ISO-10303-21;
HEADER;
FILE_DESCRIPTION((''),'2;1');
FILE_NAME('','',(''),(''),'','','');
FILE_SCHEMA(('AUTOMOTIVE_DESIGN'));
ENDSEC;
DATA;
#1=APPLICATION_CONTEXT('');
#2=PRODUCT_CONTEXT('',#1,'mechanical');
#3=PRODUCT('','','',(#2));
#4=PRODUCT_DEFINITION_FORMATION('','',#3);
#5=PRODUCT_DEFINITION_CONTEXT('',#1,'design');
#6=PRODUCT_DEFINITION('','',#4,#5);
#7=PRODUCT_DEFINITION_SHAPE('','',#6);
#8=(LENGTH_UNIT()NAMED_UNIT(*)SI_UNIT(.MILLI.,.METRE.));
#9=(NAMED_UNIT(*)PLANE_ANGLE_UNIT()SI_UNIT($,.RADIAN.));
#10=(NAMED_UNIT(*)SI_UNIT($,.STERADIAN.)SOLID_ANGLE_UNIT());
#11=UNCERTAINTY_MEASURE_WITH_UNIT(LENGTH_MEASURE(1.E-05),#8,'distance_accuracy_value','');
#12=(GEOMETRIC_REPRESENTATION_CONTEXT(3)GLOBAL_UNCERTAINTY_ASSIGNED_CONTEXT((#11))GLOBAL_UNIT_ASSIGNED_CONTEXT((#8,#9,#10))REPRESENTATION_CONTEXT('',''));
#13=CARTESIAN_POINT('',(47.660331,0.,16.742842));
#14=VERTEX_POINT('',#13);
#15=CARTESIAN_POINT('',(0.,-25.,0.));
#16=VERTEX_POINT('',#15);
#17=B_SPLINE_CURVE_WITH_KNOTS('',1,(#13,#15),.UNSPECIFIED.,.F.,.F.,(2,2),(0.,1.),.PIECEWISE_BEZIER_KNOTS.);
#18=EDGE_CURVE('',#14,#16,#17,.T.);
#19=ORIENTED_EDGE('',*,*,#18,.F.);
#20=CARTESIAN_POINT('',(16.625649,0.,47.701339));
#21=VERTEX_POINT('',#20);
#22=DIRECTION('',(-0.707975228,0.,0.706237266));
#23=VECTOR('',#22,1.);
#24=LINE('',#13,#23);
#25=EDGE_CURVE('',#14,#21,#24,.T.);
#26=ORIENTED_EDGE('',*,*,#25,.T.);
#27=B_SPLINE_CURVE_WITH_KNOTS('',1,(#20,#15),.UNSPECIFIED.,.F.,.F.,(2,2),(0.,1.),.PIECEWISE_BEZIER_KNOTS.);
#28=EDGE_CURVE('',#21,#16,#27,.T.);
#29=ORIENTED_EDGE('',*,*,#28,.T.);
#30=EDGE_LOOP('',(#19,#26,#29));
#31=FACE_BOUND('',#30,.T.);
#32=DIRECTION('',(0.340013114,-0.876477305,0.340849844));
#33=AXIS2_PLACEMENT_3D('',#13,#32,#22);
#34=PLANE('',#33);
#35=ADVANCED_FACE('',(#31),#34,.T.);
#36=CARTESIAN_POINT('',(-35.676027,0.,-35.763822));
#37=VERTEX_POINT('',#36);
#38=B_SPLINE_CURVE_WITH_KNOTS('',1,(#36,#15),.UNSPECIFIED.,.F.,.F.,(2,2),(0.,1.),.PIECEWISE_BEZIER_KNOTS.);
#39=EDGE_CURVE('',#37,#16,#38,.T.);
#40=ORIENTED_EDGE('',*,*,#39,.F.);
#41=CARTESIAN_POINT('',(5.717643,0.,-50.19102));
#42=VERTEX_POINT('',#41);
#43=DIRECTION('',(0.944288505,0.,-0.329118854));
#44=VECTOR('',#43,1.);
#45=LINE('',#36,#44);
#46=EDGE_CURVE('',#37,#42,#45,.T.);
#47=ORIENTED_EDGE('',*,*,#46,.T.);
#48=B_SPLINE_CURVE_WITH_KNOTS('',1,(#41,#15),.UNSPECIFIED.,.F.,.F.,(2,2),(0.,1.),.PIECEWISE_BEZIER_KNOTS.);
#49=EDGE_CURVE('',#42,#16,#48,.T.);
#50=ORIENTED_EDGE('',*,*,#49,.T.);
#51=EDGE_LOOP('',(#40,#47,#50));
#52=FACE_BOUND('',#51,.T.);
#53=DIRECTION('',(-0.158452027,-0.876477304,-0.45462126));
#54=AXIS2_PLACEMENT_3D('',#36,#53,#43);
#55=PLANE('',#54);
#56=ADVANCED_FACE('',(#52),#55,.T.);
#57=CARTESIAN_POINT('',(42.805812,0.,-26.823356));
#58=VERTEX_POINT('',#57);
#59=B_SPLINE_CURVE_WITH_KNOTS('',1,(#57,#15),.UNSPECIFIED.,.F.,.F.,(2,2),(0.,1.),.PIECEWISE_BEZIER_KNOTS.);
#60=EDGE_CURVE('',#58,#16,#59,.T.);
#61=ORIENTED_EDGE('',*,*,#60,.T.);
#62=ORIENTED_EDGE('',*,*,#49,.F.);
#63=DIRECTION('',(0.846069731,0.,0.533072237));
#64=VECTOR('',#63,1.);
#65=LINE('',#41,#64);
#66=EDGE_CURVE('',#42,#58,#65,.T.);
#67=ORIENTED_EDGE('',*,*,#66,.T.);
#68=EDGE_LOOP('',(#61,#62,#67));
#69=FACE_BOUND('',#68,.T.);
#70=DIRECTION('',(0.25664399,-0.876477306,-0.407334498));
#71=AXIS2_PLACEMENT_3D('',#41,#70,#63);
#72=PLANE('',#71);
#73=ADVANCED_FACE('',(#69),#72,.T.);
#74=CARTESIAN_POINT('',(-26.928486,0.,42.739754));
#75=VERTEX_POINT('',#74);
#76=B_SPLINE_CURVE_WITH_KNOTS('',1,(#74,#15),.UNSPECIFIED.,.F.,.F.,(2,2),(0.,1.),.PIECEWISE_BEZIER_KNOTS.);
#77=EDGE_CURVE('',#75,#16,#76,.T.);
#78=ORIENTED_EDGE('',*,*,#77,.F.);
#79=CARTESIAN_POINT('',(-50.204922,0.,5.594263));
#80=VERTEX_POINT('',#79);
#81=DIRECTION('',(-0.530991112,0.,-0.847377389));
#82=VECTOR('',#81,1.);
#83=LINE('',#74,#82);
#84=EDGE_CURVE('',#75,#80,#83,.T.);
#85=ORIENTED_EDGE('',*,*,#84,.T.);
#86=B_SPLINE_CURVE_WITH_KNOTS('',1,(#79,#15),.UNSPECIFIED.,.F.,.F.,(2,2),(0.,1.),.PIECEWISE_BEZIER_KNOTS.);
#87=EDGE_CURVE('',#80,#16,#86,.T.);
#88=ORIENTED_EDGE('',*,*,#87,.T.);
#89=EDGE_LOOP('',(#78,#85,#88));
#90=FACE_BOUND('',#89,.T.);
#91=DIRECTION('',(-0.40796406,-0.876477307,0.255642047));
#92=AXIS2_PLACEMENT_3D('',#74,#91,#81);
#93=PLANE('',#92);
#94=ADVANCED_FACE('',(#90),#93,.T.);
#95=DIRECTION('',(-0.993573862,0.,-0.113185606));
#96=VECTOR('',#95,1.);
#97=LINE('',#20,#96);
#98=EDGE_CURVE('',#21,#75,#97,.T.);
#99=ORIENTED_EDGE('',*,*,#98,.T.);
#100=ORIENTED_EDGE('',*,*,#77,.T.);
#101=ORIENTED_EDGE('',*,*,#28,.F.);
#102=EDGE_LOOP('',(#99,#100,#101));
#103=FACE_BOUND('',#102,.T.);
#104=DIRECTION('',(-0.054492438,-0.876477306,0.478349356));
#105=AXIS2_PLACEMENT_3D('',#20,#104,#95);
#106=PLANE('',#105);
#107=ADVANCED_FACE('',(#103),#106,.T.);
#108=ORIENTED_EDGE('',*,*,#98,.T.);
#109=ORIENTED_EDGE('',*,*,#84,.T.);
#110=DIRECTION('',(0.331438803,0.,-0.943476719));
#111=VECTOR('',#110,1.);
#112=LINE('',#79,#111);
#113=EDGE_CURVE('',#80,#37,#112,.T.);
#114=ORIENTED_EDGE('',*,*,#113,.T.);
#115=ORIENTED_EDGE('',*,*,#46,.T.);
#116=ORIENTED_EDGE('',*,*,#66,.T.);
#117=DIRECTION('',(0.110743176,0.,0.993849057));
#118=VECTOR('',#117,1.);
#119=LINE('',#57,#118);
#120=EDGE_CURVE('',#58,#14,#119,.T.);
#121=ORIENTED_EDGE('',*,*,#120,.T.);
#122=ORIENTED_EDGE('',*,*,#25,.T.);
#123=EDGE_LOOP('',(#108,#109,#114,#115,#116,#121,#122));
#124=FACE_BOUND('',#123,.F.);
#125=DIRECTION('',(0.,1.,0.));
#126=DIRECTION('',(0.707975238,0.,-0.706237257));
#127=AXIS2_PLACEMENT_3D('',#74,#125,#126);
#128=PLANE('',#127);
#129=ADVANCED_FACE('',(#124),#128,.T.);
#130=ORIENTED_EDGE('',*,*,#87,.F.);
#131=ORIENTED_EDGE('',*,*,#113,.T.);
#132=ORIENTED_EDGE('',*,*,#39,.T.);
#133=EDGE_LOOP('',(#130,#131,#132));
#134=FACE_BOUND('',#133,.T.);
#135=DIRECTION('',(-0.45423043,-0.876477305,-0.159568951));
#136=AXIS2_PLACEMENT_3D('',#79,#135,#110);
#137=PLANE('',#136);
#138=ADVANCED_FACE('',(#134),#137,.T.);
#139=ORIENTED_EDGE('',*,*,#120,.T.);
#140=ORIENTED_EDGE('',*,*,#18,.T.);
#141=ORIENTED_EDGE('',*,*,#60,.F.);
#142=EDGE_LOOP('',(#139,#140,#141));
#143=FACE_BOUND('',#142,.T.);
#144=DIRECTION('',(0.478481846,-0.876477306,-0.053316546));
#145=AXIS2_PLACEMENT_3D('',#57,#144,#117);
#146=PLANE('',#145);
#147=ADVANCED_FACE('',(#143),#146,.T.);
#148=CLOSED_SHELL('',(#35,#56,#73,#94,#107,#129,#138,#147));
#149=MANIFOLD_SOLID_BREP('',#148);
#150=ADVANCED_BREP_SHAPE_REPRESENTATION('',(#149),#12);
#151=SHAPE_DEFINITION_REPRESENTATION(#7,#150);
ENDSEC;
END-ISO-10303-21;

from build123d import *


with BuildPart() as f3:
    # F0 (on Front) → F3 section 0
    with BuildSketch(Plane.XZ, mode=Mode.PRIVATE) as f3_s0:
        Polygon((-26.928486, 42.739754), (-50.204922, 5.594263), (-35.676027, -35.763822), (5.717643, -50.19102), (42.805812, -26.823356), (47.660331, 16.742842), (16.625649, 47.701339), align=None)
    loft([f3_s0.sketch, Vertex(0, -25, 0)])


solid = f3.part
